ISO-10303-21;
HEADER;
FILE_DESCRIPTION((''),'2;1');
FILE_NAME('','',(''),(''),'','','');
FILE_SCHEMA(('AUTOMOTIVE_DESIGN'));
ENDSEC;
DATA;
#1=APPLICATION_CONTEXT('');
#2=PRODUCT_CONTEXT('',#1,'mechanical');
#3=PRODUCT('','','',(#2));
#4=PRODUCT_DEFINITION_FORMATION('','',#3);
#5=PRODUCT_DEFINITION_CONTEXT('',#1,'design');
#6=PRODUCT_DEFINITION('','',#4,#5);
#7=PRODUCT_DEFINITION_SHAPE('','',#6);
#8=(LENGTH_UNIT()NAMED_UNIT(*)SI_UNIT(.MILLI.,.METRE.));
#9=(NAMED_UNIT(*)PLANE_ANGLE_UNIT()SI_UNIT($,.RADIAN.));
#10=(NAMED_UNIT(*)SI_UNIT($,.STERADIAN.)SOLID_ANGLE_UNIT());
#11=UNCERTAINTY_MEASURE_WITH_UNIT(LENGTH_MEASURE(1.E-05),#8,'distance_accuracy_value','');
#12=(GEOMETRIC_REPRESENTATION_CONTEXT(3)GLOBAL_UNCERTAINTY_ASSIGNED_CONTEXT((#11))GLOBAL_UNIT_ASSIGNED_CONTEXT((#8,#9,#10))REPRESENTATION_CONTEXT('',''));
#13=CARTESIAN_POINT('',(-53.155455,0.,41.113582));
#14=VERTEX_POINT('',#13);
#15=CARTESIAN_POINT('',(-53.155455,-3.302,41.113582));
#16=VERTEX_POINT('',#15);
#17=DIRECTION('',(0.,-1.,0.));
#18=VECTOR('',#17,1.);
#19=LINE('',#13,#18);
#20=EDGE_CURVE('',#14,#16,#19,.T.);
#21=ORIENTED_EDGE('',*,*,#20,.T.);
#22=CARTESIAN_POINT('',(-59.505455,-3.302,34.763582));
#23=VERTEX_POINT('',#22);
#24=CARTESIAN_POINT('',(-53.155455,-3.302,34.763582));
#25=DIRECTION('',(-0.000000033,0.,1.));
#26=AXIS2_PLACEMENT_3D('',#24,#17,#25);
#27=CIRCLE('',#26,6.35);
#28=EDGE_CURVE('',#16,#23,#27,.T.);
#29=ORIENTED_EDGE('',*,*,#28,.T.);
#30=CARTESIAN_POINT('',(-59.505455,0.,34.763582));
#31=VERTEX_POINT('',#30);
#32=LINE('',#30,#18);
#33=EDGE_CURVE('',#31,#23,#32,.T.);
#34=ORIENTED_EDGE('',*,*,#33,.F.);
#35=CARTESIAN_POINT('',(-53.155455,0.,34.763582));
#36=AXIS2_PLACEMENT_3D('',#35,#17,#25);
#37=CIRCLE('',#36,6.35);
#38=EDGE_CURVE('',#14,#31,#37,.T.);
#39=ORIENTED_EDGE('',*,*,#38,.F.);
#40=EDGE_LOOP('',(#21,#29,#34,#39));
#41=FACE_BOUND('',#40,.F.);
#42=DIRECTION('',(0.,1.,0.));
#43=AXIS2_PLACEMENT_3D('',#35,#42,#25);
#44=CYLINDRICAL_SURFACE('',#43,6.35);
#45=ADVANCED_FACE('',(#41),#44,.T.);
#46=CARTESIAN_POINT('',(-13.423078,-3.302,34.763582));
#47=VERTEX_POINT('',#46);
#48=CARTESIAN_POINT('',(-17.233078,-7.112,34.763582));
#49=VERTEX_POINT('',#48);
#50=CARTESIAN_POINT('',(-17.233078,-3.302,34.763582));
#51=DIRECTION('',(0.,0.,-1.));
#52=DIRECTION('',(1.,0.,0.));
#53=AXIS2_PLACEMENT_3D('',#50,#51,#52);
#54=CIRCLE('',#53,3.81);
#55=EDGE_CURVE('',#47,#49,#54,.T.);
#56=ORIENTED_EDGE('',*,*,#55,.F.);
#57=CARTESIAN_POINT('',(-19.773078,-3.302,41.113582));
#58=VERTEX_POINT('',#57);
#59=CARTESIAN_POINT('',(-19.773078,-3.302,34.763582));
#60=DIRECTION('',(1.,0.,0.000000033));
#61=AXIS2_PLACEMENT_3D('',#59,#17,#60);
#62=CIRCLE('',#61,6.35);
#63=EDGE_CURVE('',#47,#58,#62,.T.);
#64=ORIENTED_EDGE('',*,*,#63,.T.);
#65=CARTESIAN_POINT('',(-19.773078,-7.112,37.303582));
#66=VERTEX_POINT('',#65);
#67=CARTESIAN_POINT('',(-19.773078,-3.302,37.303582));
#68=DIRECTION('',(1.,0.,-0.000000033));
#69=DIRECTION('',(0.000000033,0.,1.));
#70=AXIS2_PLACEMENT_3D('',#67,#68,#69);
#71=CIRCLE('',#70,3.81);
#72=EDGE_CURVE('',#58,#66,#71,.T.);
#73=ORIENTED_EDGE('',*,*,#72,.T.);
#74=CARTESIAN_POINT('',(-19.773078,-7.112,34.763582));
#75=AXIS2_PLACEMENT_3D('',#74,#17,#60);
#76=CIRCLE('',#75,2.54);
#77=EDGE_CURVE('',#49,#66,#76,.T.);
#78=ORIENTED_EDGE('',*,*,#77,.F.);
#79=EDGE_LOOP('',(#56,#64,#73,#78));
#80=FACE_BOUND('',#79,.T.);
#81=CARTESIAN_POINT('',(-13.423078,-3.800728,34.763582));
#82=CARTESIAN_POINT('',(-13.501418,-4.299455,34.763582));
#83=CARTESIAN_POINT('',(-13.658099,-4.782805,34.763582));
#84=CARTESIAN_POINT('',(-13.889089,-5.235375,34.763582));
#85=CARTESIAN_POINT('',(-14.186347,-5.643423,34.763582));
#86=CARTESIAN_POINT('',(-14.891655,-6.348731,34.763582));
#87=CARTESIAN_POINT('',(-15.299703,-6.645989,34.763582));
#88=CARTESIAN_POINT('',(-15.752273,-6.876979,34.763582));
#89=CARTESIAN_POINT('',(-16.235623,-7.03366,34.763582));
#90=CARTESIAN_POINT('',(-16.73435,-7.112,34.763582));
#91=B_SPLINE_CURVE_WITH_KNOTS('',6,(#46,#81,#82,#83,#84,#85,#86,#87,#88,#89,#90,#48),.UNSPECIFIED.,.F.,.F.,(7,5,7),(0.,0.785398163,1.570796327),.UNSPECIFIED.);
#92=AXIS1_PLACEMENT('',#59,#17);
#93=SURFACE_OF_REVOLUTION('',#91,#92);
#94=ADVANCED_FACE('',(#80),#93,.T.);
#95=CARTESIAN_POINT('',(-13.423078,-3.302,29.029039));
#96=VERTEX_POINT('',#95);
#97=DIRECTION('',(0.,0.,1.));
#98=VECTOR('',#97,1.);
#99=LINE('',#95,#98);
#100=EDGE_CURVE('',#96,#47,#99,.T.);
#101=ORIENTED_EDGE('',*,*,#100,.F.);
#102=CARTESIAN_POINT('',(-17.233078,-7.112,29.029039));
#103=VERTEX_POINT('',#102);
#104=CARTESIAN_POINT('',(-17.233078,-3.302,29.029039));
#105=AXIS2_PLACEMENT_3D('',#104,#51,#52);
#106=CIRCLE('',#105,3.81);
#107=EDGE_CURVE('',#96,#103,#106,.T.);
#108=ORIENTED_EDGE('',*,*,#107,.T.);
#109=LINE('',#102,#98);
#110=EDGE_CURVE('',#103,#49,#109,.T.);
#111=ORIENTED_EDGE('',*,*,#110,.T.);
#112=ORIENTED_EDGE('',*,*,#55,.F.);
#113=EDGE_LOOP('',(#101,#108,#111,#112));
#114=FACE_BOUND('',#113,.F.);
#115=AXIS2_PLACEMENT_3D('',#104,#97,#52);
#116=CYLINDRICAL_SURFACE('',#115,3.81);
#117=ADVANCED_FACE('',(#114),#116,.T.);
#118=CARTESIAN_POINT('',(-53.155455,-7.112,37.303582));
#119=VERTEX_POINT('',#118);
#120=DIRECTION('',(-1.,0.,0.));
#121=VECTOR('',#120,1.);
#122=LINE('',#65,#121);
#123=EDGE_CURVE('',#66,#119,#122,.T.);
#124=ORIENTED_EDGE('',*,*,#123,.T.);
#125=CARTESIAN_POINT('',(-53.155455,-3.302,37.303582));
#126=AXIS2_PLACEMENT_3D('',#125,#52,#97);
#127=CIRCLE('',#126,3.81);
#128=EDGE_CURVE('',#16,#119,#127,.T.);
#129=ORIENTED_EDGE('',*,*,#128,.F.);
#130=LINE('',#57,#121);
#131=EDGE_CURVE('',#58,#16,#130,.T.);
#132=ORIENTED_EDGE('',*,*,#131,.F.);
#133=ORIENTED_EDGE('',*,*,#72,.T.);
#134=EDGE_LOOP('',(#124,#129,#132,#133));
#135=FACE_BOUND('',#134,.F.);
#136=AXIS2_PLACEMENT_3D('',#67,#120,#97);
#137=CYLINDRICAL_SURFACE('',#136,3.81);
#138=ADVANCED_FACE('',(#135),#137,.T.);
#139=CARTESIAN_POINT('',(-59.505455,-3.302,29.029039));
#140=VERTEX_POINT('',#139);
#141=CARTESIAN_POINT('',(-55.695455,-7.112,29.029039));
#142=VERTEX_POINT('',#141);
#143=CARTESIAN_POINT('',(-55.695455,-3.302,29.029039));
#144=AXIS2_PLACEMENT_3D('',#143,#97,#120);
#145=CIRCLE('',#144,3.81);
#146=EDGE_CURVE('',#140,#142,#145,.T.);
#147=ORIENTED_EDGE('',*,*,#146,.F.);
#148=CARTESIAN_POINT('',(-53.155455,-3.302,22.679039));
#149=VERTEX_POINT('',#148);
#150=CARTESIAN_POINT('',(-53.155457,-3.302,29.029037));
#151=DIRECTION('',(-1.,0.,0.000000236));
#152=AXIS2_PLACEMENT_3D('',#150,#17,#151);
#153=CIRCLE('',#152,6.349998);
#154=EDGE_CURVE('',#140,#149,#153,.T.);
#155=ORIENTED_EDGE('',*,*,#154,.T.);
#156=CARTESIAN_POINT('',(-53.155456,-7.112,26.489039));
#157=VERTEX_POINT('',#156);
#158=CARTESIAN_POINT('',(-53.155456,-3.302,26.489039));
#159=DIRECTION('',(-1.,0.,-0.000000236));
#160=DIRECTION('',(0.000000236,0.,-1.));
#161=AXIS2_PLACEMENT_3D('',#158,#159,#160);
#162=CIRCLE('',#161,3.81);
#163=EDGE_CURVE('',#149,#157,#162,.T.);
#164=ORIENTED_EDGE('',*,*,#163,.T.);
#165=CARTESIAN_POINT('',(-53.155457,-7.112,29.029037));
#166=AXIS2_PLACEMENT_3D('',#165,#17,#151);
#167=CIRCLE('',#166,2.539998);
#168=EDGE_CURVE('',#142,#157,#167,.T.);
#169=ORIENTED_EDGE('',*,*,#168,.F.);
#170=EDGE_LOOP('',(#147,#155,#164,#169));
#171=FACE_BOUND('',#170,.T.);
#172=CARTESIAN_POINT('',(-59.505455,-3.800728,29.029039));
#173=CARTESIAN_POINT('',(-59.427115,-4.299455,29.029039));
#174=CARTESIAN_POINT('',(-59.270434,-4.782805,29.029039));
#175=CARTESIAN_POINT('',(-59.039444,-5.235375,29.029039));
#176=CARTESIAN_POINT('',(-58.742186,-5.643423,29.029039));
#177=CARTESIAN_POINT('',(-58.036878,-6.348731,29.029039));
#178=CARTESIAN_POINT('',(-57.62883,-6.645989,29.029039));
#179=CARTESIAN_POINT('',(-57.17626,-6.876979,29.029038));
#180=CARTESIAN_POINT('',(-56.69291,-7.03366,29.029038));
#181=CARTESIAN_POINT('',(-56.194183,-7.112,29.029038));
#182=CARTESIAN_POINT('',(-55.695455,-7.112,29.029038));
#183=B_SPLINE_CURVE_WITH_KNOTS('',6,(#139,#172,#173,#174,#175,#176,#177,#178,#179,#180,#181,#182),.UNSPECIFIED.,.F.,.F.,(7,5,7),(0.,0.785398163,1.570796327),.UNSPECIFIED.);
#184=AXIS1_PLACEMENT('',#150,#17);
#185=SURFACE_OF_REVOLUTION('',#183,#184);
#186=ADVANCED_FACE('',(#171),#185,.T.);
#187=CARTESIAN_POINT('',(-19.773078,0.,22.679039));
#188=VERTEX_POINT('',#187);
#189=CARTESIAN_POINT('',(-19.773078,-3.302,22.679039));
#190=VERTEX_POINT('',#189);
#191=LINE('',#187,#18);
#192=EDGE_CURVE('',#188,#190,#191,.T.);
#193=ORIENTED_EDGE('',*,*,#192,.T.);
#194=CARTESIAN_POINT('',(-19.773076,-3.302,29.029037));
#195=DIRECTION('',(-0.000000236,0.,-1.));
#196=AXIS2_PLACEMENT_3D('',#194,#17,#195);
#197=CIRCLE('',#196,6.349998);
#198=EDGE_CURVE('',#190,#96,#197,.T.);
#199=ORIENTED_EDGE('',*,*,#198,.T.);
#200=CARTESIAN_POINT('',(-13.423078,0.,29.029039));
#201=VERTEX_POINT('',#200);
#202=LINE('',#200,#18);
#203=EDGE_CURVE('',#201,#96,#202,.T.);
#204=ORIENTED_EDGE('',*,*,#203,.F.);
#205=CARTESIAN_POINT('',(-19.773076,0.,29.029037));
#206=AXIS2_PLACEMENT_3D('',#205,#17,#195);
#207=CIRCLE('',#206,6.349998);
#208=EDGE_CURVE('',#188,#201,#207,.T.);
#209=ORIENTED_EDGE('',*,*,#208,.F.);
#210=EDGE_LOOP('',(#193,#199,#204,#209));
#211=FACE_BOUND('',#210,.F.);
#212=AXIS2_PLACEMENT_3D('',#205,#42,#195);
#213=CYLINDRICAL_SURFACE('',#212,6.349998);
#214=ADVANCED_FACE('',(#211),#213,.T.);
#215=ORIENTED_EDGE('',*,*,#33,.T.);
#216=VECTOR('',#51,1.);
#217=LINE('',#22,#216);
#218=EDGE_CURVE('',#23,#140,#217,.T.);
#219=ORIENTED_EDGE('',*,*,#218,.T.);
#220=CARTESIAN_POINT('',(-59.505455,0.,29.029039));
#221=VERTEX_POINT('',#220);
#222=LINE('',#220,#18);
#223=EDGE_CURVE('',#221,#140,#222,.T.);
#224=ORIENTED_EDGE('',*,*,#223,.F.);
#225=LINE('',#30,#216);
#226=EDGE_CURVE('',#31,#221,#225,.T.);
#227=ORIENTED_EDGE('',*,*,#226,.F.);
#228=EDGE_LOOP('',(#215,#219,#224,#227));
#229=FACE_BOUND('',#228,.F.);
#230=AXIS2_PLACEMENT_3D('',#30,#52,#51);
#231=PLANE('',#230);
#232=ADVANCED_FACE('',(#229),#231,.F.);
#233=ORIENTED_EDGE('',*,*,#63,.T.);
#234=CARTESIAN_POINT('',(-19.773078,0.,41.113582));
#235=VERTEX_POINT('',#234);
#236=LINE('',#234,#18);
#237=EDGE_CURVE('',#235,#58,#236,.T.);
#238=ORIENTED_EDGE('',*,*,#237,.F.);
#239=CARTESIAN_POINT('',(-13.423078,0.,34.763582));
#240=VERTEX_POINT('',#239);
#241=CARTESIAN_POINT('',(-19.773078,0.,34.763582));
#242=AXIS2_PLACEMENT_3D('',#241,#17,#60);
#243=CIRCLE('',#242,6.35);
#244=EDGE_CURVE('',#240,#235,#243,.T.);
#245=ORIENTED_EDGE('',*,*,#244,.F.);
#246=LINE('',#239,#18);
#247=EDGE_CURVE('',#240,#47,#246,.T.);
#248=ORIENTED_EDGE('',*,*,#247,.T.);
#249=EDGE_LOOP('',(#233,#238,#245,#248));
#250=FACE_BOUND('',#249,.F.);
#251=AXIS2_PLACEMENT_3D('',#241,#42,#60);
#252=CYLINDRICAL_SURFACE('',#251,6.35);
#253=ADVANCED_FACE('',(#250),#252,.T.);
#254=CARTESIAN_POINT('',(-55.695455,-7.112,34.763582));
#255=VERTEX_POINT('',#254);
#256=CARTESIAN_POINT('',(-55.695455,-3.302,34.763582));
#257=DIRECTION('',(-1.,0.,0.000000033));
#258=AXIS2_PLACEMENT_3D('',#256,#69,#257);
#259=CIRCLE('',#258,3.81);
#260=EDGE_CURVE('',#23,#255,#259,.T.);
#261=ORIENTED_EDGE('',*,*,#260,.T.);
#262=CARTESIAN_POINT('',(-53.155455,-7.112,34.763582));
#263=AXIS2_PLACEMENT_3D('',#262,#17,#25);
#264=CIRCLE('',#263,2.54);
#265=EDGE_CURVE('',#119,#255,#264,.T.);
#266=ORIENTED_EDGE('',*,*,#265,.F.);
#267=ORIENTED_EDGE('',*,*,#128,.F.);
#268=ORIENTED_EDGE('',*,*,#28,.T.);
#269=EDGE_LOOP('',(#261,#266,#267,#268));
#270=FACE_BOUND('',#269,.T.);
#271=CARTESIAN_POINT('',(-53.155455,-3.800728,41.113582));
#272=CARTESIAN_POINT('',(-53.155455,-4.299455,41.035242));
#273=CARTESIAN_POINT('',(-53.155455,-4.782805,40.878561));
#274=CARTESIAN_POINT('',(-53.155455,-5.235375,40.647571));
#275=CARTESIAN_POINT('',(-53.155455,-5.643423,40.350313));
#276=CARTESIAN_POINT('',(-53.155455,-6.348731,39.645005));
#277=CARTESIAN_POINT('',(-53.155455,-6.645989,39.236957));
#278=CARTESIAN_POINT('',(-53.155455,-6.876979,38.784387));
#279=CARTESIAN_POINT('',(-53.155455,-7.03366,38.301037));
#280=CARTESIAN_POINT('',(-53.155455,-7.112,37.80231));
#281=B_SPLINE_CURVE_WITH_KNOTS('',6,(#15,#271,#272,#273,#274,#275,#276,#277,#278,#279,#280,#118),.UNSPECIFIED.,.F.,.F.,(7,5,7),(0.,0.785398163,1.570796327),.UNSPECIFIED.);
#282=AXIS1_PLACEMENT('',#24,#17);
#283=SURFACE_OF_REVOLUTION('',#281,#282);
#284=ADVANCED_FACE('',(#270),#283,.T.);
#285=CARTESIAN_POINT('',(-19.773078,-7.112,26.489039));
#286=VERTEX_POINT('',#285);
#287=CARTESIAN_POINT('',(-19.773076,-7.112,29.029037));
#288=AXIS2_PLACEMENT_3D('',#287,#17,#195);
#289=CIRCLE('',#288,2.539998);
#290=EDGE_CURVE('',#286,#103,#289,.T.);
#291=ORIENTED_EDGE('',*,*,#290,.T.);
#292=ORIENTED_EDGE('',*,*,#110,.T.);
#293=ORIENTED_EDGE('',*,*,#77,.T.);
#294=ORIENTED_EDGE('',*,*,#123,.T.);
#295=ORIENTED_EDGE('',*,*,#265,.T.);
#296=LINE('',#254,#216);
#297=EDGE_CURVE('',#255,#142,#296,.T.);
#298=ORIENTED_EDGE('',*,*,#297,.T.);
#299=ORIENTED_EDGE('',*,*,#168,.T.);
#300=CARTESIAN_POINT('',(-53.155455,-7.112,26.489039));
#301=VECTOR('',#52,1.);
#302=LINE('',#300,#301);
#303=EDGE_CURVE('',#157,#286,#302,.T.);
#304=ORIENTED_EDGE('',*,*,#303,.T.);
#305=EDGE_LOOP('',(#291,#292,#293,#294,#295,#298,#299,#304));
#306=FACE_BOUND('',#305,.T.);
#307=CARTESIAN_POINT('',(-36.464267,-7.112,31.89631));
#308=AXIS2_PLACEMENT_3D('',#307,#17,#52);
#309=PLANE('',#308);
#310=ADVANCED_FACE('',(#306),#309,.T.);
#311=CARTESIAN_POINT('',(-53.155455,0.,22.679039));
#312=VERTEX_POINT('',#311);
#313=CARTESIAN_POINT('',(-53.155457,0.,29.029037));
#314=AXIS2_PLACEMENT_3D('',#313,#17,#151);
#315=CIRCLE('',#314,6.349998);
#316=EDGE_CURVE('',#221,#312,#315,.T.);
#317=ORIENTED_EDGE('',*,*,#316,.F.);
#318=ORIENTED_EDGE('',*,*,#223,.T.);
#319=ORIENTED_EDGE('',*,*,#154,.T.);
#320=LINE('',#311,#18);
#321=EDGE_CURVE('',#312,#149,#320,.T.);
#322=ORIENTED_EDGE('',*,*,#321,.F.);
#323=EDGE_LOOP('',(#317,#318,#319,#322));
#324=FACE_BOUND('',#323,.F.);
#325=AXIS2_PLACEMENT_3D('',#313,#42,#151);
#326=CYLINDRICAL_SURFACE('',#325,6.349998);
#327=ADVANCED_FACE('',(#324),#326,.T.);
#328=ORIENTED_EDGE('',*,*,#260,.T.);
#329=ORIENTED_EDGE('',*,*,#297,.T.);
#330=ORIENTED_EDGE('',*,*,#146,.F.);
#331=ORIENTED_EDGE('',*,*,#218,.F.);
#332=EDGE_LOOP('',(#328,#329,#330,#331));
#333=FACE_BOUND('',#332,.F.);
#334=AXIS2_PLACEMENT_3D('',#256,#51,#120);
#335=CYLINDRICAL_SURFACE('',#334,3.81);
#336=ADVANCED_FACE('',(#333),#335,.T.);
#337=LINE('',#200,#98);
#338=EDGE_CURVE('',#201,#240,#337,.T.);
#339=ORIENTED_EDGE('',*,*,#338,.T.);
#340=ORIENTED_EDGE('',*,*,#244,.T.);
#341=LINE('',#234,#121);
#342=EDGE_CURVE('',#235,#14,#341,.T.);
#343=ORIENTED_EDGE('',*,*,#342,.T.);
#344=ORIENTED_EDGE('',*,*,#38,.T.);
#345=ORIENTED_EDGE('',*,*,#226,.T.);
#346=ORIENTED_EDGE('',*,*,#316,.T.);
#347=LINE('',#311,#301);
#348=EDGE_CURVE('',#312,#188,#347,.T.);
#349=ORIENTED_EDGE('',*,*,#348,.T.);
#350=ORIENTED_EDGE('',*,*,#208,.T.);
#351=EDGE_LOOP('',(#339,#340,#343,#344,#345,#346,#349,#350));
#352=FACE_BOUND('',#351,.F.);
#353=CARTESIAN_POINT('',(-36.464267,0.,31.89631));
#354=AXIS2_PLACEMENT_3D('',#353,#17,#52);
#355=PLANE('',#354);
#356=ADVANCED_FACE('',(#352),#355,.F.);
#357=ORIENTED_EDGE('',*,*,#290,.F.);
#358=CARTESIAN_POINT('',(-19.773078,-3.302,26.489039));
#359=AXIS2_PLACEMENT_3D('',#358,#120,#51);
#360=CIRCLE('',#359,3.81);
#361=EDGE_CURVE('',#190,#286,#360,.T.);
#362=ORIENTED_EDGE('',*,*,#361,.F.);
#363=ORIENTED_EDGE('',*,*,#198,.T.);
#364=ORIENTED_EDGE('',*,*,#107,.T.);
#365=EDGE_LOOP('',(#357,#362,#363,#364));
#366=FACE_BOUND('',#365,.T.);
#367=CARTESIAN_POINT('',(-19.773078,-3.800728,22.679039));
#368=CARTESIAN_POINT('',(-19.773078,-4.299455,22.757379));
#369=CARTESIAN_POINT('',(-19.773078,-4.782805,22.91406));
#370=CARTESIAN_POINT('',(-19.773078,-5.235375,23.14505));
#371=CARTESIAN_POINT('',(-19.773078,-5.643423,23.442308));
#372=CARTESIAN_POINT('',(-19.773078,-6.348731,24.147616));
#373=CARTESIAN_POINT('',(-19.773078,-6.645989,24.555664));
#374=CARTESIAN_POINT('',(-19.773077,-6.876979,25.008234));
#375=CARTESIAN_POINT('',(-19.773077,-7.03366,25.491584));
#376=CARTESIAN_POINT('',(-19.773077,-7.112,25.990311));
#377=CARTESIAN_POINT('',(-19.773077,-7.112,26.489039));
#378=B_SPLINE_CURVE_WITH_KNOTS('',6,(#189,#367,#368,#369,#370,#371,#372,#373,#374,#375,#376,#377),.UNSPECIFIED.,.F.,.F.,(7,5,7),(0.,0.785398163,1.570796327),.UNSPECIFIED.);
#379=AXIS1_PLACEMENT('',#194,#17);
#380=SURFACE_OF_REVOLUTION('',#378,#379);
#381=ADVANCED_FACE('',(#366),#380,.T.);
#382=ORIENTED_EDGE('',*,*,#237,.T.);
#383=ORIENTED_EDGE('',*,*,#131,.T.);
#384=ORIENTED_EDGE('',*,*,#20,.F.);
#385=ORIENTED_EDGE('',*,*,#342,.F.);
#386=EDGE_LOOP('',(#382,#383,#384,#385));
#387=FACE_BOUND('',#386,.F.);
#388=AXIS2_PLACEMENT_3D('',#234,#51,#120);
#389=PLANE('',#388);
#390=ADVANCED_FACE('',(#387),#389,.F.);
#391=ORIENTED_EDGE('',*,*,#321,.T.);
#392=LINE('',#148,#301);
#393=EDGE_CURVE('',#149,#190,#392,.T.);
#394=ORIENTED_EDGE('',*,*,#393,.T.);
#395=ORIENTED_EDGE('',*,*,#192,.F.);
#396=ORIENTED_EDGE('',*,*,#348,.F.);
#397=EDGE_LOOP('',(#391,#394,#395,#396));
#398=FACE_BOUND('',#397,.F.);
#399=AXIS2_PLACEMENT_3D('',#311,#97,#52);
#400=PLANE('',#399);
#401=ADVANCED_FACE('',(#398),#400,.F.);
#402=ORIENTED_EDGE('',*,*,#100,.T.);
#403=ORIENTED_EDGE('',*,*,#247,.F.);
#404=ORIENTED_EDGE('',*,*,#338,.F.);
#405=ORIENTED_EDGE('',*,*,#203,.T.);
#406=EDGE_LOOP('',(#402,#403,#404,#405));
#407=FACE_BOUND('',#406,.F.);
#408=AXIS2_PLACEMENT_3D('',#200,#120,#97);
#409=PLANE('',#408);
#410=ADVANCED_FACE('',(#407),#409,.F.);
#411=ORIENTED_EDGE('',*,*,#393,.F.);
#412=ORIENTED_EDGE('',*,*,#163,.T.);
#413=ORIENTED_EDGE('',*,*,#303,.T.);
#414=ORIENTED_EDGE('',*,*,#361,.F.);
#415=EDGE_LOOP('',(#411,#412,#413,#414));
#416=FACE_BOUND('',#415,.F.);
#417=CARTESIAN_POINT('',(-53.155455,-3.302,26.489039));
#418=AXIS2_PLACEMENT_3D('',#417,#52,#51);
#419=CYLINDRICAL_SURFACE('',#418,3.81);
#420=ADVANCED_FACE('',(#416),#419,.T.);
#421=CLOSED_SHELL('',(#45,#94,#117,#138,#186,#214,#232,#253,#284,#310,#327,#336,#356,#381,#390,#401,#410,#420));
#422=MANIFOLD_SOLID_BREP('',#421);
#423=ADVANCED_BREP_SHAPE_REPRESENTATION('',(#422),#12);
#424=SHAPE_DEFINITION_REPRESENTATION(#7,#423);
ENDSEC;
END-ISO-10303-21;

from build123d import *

# Parameters (mm, degrees)
F1_DEPTH = 7.112
F2_R     = 3.81


with BuildPart() as f1:
    # F0 (on Front) → F1 (new body)
    with BuildSketch(Plane.XZ):
        with BuildLine():
            Line((-19.773078, 41.113582), (-53.155455, 41.113582))
            ThreePointArc((-53.155455, 41.113582), (-57.645583, 39.25371), (-59.505455, 34.763582))
            Line((-59.505455, 34.763582), (-59.505455, 29.029039))
            ThreePointArc((-59.505455, 29.029039), (-57.645583, 24.53891), (-53.155455, 22.679039))
            Line((-53.155455, 22.679039), (-19.773078, 22.679039))
            ThreePointArc((-19.773078, 22.679039), (-15.28295, 24.53891), (-13.423078, 29.029039))
            Line((-13.423078, 29.029039), (-13.423078, 34.763582))
            ThreePointArc((-13.423078, 34.763582), (-15.28295, 39.25371), (-19.773078, 41.113582))
        make_face()
    extrude(amount=F1_DEPTH)

    # F2
    f2_edges = [f1.edges().sort_by_distance(p)[0] for p in [
        (-13.423078, -7.112, 31.89631),
        (-15.28295, -7.112, 39.25371),
        (-36.464266, -7.112, 41.113582),
        (-57.645583, -7.112, 39.25371),
        (-59.505455, -7.112, 31.89631),
        (-57.645583, -7.112, 24.53891),
        (-36.464266, -7.112, 22.679039),
        (-15.28295, -7.112, 24.53891),
    ]]
    fillet(f2_edges, radius=F2_R)


solid = f1.part
